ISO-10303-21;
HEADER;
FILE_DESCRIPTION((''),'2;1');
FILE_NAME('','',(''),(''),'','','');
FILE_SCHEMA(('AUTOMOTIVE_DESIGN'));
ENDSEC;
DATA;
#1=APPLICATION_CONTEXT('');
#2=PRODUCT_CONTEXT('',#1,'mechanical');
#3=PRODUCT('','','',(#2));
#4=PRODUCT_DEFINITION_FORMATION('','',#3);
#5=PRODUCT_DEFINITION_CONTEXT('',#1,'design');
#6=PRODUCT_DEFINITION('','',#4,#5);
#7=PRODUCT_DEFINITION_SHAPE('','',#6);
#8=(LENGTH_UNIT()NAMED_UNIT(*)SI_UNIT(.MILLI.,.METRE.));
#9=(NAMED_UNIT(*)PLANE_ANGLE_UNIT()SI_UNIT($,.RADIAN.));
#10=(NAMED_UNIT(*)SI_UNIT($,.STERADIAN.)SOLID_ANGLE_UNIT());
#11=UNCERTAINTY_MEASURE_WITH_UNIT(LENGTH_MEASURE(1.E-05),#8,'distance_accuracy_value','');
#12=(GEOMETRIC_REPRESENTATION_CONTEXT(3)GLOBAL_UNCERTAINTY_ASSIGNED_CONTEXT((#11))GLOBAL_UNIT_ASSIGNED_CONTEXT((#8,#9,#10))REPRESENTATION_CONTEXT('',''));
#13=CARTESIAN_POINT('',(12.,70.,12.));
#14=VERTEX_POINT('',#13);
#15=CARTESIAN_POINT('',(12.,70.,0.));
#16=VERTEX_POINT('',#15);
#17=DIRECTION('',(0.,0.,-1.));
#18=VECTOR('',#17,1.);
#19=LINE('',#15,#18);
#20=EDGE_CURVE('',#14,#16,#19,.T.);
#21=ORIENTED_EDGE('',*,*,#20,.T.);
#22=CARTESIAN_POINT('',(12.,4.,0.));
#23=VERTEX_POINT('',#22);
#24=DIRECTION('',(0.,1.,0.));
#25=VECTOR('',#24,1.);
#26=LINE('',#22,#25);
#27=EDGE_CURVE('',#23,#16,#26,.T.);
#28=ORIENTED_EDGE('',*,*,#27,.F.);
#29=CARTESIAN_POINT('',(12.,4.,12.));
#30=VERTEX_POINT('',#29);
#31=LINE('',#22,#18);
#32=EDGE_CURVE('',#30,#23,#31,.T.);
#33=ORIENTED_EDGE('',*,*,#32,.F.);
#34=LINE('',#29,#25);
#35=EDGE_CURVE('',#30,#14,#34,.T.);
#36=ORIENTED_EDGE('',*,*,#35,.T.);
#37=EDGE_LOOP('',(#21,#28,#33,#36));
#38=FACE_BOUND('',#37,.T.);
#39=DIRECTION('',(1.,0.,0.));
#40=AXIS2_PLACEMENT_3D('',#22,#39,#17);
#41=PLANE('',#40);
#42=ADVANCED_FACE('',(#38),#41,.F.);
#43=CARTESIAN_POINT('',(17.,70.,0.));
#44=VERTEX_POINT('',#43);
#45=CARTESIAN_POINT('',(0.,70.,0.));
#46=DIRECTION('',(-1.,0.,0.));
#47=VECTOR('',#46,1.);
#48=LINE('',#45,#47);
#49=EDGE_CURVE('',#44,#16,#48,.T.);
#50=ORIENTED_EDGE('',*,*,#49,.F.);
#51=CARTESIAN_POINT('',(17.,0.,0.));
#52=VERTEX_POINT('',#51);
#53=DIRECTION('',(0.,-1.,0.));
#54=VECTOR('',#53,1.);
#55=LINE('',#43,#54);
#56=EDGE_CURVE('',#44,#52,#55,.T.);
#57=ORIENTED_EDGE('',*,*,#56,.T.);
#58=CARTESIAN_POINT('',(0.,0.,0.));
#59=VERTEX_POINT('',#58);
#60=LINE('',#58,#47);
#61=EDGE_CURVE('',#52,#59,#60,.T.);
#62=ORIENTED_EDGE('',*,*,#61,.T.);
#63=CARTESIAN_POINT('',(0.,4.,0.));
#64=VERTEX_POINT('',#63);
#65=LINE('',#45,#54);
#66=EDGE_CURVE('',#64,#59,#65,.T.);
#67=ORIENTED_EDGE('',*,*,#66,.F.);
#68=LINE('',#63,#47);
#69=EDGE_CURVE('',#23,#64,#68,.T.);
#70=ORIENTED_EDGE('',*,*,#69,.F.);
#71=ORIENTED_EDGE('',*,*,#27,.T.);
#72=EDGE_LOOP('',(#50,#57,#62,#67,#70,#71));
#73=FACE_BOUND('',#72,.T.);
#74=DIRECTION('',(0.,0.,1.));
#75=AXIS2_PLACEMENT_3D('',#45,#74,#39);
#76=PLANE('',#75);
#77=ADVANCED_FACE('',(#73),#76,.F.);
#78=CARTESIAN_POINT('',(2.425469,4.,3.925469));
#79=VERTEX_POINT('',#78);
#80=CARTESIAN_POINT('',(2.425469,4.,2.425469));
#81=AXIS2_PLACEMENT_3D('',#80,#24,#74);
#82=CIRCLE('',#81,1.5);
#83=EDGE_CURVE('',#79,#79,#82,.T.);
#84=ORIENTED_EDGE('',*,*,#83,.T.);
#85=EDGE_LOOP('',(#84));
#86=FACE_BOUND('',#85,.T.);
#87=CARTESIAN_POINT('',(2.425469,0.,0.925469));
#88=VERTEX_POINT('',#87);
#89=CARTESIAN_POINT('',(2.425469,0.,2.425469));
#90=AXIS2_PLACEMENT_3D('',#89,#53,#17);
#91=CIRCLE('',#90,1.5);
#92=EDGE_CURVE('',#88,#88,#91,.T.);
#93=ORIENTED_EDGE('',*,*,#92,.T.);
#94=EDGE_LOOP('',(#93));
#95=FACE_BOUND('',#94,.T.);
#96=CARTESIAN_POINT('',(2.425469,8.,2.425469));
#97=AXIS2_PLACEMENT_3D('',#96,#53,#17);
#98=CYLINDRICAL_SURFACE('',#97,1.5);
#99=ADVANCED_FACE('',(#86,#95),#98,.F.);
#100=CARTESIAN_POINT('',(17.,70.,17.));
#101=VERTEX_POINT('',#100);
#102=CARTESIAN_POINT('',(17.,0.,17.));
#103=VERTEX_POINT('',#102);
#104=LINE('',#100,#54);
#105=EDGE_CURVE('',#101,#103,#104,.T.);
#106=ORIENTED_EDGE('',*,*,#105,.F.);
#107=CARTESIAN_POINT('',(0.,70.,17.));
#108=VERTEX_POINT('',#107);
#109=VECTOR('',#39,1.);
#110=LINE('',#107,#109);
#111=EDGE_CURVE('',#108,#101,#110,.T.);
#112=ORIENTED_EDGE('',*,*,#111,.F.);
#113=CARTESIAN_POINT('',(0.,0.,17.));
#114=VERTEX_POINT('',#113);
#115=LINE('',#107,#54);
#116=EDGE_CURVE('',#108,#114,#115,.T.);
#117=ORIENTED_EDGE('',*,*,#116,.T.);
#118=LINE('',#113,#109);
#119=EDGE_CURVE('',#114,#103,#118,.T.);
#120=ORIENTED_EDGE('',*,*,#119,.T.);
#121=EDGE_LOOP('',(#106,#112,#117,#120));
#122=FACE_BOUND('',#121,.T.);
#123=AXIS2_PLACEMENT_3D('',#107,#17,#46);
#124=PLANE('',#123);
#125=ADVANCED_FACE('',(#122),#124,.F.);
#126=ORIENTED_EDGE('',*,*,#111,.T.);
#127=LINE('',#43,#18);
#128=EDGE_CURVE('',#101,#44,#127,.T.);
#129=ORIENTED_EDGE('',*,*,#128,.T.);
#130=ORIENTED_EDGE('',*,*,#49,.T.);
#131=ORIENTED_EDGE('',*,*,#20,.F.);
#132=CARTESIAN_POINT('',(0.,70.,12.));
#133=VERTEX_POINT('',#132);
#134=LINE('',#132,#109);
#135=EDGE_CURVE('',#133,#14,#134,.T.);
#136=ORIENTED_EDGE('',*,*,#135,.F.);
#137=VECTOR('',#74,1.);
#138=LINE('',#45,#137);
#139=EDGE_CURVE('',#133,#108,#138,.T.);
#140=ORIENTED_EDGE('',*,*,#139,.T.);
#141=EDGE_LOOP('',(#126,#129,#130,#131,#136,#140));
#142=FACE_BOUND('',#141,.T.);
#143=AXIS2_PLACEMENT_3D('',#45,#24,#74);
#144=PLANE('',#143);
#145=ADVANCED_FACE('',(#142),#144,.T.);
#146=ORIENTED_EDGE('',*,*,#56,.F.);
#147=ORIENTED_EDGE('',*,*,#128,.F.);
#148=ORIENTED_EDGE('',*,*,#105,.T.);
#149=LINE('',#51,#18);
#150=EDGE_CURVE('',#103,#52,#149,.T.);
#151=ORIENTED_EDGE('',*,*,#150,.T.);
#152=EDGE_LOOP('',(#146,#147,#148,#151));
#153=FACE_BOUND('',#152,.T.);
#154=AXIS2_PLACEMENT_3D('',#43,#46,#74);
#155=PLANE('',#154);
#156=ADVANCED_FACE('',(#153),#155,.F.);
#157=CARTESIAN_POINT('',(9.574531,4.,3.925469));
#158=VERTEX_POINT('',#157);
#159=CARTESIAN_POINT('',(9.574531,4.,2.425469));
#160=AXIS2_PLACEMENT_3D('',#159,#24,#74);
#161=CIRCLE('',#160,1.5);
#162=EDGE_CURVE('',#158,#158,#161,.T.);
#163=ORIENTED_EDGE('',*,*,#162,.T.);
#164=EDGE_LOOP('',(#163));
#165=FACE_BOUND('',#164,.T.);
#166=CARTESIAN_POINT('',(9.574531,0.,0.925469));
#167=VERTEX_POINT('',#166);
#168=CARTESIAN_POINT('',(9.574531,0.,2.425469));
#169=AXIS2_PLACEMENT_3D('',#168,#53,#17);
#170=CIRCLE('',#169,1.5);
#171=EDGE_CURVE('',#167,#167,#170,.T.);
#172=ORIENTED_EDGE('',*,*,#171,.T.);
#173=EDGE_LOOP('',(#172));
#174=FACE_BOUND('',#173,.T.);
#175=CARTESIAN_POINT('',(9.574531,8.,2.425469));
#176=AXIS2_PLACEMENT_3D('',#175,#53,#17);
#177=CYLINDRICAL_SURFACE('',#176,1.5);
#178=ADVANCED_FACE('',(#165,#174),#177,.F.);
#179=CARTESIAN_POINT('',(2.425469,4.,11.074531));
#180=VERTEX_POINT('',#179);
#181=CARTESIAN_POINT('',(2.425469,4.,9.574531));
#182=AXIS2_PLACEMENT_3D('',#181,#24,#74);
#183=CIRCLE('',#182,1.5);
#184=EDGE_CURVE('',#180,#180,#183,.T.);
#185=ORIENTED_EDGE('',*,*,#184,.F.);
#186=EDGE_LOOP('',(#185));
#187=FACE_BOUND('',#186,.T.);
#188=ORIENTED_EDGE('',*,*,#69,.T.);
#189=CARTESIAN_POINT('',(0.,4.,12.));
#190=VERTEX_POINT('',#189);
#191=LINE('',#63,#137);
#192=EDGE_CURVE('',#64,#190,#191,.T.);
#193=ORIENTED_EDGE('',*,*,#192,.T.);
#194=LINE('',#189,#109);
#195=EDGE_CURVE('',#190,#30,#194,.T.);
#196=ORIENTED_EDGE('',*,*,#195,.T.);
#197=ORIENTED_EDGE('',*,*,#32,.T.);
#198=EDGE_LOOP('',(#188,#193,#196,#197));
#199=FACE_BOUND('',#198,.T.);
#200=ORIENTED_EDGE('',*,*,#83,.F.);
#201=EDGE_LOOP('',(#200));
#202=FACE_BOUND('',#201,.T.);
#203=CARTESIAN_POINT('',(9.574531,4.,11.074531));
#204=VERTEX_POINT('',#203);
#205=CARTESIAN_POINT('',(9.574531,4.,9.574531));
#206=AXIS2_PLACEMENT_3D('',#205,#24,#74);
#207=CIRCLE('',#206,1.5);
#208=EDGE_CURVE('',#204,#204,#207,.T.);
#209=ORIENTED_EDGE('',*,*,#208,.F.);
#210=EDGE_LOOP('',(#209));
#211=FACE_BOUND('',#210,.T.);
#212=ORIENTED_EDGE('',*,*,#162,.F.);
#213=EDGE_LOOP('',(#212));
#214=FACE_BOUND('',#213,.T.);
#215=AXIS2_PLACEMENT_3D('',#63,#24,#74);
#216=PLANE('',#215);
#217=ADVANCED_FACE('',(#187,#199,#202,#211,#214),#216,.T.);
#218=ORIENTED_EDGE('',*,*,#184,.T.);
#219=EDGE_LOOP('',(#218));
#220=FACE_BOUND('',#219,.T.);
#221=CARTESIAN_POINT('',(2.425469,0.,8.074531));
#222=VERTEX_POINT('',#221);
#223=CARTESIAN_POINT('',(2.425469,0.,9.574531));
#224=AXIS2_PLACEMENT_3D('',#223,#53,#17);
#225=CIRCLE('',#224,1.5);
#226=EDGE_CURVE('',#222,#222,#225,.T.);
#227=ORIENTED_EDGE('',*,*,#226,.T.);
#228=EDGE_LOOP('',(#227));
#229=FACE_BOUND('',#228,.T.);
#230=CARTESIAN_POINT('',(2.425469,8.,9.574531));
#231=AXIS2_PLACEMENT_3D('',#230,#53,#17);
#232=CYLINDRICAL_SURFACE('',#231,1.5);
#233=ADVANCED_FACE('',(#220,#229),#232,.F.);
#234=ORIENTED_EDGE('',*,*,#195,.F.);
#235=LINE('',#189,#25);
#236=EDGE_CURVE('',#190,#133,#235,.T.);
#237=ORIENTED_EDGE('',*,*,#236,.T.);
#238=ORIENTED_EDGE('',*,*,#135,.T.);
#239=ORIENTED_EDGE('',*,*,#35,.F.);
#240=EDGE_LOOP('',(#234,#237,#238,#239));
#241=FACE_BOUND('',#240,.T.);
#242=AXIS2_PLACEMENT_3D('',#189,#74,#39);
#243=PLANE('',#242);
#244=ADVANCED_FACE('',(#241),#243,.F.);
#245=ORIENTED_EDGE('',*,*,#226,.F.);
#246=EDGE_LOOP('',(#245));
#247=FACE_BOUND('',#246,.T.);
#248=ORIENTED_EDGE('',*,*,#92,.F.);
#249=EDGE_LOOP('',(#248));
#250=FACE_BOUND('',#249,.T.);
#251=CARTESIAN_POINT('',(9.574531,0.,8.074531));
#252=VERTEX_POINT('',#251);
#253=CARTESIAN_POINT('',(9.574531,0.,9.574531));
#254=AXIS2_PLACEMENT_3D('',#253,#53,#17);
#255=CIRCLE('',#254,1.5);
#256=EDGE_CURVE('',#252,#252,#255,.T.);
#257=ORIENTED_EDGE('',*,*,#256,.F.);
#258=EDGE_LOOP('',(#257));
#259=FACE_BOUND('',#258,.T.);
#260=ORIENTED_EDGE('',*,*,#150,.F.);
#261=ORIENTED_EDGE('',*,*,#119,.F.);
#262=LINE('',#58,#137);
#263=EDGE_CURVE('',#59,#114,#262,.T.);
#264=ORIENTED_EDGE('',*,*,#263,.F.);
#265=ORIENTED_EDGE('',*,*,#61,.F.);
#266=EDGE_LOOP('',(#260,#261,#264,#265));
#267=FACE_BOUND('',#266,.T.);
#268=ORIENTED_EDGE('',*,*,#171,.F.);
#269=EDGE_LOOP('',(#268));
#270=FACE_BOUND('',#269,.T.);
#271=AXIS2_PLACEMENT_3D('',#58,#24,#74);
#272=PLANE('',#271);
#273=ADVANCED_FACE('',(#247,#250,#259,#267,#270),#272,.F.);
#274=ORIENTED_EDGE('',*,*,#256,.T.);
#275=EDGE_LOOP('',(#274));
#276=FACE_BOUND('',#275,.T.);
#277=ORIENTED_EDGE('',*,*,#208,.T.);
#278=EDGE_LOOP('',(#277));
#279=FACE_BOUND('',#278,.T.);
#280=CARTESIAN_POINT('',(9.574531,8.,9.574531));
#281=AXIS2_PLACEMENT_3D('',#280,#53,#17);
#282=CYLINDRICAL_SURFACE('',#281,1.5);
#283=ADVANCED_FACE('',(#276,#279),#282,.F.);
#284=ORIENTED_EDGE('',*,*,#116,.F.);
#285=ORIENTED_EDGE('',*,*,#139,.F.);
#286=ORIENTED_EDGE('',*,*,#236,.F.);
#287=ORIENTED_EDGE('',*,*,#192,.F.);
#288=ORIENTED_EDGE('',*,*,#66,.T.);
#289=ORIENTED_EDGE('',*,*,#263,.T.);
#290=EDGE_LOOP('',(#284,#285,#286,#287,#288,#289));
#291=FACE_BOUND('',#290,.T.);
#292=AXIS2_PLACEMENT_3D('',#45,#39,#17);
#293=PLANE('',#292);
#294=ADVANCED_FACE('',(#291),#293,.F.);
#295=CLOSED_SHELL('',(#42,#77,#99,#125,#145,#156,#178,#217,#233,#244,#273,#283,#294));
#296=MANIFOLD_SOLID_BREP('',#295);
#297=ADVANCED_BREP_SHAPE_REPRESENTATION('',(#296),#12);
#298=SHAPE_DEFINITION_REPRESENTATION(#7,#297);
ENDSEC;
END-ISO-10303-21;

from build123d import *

# Parameters (mm, degrees)
SKETCH_1_W          = 17
SKETCH_1_H          = 17
EXTRUDE_1_DEPTH     = 70
SKETCH_2_W          = 12
SKETCH_2_H          = 12
CUT_EXTRUDE_1_DEPTH = 66
SKETCH_3_R          = 1.5
CUT_EXTRUDE_2_DEPTH = 8


with BuildPart() as part:
    # 草图1 → 凸台-拉伸1 (new body)
    with BuildSketch(Plane(origin=(0, 0, 0), x_dir=(1, 0, 0), z_dir=(0, 1, 0))):
        with Locations((8.5, -8.5)):
            Rectangle(SKETCH_1_W, SKETCH_1_H)
    extrude(amount=EXTRUDE_1_DEPTH)

    # 草图2 → 切除-拉伸1 (cut)
    with BuildSketch(Plane(origin=(0, 70, 0), x_dir=(1, 0, 0), z_dir=(0, 1, 0))):
        with Locations((6, -6)):
            Rectangle(SKETCH_2_W, SKETCH_2_H)
    extrude(amount=-CUT_EXTRUDE_1_DEPTH, mode=Mode.SUBTRACT)

    # 草图3 → 切除-拉伸2 (cut)
    with BuildSketch(Plane(origin=(0, 0, 0), x_dir=(-1, 0, 0), z_dir=(0, -1, 0))):
        with Locations(Location((-9.574531369, -2.425468631, 0), (0, 0, 90))):
            Circle(SKETCH_3_R)
        with Locations(Location((-2.425468631, -2.425468631, 0), (0, 0, 90))):
            Circle(SKETCH_3_R)
        with Locations(Location((-9.574531369, -9.574531369, 0), (0, 0, 90))):
            Circle(SKETCH_3_R)
        with Locations(Location((-2.425468631, -9.574531369, 0), (0, 0, 90))):
            Circle(SKETCH_3_R)
    extrude(amount=-CUT_EXTRUDE_2_DEPTH, mode=Mode.SUBTRACT)


solid = part.part
